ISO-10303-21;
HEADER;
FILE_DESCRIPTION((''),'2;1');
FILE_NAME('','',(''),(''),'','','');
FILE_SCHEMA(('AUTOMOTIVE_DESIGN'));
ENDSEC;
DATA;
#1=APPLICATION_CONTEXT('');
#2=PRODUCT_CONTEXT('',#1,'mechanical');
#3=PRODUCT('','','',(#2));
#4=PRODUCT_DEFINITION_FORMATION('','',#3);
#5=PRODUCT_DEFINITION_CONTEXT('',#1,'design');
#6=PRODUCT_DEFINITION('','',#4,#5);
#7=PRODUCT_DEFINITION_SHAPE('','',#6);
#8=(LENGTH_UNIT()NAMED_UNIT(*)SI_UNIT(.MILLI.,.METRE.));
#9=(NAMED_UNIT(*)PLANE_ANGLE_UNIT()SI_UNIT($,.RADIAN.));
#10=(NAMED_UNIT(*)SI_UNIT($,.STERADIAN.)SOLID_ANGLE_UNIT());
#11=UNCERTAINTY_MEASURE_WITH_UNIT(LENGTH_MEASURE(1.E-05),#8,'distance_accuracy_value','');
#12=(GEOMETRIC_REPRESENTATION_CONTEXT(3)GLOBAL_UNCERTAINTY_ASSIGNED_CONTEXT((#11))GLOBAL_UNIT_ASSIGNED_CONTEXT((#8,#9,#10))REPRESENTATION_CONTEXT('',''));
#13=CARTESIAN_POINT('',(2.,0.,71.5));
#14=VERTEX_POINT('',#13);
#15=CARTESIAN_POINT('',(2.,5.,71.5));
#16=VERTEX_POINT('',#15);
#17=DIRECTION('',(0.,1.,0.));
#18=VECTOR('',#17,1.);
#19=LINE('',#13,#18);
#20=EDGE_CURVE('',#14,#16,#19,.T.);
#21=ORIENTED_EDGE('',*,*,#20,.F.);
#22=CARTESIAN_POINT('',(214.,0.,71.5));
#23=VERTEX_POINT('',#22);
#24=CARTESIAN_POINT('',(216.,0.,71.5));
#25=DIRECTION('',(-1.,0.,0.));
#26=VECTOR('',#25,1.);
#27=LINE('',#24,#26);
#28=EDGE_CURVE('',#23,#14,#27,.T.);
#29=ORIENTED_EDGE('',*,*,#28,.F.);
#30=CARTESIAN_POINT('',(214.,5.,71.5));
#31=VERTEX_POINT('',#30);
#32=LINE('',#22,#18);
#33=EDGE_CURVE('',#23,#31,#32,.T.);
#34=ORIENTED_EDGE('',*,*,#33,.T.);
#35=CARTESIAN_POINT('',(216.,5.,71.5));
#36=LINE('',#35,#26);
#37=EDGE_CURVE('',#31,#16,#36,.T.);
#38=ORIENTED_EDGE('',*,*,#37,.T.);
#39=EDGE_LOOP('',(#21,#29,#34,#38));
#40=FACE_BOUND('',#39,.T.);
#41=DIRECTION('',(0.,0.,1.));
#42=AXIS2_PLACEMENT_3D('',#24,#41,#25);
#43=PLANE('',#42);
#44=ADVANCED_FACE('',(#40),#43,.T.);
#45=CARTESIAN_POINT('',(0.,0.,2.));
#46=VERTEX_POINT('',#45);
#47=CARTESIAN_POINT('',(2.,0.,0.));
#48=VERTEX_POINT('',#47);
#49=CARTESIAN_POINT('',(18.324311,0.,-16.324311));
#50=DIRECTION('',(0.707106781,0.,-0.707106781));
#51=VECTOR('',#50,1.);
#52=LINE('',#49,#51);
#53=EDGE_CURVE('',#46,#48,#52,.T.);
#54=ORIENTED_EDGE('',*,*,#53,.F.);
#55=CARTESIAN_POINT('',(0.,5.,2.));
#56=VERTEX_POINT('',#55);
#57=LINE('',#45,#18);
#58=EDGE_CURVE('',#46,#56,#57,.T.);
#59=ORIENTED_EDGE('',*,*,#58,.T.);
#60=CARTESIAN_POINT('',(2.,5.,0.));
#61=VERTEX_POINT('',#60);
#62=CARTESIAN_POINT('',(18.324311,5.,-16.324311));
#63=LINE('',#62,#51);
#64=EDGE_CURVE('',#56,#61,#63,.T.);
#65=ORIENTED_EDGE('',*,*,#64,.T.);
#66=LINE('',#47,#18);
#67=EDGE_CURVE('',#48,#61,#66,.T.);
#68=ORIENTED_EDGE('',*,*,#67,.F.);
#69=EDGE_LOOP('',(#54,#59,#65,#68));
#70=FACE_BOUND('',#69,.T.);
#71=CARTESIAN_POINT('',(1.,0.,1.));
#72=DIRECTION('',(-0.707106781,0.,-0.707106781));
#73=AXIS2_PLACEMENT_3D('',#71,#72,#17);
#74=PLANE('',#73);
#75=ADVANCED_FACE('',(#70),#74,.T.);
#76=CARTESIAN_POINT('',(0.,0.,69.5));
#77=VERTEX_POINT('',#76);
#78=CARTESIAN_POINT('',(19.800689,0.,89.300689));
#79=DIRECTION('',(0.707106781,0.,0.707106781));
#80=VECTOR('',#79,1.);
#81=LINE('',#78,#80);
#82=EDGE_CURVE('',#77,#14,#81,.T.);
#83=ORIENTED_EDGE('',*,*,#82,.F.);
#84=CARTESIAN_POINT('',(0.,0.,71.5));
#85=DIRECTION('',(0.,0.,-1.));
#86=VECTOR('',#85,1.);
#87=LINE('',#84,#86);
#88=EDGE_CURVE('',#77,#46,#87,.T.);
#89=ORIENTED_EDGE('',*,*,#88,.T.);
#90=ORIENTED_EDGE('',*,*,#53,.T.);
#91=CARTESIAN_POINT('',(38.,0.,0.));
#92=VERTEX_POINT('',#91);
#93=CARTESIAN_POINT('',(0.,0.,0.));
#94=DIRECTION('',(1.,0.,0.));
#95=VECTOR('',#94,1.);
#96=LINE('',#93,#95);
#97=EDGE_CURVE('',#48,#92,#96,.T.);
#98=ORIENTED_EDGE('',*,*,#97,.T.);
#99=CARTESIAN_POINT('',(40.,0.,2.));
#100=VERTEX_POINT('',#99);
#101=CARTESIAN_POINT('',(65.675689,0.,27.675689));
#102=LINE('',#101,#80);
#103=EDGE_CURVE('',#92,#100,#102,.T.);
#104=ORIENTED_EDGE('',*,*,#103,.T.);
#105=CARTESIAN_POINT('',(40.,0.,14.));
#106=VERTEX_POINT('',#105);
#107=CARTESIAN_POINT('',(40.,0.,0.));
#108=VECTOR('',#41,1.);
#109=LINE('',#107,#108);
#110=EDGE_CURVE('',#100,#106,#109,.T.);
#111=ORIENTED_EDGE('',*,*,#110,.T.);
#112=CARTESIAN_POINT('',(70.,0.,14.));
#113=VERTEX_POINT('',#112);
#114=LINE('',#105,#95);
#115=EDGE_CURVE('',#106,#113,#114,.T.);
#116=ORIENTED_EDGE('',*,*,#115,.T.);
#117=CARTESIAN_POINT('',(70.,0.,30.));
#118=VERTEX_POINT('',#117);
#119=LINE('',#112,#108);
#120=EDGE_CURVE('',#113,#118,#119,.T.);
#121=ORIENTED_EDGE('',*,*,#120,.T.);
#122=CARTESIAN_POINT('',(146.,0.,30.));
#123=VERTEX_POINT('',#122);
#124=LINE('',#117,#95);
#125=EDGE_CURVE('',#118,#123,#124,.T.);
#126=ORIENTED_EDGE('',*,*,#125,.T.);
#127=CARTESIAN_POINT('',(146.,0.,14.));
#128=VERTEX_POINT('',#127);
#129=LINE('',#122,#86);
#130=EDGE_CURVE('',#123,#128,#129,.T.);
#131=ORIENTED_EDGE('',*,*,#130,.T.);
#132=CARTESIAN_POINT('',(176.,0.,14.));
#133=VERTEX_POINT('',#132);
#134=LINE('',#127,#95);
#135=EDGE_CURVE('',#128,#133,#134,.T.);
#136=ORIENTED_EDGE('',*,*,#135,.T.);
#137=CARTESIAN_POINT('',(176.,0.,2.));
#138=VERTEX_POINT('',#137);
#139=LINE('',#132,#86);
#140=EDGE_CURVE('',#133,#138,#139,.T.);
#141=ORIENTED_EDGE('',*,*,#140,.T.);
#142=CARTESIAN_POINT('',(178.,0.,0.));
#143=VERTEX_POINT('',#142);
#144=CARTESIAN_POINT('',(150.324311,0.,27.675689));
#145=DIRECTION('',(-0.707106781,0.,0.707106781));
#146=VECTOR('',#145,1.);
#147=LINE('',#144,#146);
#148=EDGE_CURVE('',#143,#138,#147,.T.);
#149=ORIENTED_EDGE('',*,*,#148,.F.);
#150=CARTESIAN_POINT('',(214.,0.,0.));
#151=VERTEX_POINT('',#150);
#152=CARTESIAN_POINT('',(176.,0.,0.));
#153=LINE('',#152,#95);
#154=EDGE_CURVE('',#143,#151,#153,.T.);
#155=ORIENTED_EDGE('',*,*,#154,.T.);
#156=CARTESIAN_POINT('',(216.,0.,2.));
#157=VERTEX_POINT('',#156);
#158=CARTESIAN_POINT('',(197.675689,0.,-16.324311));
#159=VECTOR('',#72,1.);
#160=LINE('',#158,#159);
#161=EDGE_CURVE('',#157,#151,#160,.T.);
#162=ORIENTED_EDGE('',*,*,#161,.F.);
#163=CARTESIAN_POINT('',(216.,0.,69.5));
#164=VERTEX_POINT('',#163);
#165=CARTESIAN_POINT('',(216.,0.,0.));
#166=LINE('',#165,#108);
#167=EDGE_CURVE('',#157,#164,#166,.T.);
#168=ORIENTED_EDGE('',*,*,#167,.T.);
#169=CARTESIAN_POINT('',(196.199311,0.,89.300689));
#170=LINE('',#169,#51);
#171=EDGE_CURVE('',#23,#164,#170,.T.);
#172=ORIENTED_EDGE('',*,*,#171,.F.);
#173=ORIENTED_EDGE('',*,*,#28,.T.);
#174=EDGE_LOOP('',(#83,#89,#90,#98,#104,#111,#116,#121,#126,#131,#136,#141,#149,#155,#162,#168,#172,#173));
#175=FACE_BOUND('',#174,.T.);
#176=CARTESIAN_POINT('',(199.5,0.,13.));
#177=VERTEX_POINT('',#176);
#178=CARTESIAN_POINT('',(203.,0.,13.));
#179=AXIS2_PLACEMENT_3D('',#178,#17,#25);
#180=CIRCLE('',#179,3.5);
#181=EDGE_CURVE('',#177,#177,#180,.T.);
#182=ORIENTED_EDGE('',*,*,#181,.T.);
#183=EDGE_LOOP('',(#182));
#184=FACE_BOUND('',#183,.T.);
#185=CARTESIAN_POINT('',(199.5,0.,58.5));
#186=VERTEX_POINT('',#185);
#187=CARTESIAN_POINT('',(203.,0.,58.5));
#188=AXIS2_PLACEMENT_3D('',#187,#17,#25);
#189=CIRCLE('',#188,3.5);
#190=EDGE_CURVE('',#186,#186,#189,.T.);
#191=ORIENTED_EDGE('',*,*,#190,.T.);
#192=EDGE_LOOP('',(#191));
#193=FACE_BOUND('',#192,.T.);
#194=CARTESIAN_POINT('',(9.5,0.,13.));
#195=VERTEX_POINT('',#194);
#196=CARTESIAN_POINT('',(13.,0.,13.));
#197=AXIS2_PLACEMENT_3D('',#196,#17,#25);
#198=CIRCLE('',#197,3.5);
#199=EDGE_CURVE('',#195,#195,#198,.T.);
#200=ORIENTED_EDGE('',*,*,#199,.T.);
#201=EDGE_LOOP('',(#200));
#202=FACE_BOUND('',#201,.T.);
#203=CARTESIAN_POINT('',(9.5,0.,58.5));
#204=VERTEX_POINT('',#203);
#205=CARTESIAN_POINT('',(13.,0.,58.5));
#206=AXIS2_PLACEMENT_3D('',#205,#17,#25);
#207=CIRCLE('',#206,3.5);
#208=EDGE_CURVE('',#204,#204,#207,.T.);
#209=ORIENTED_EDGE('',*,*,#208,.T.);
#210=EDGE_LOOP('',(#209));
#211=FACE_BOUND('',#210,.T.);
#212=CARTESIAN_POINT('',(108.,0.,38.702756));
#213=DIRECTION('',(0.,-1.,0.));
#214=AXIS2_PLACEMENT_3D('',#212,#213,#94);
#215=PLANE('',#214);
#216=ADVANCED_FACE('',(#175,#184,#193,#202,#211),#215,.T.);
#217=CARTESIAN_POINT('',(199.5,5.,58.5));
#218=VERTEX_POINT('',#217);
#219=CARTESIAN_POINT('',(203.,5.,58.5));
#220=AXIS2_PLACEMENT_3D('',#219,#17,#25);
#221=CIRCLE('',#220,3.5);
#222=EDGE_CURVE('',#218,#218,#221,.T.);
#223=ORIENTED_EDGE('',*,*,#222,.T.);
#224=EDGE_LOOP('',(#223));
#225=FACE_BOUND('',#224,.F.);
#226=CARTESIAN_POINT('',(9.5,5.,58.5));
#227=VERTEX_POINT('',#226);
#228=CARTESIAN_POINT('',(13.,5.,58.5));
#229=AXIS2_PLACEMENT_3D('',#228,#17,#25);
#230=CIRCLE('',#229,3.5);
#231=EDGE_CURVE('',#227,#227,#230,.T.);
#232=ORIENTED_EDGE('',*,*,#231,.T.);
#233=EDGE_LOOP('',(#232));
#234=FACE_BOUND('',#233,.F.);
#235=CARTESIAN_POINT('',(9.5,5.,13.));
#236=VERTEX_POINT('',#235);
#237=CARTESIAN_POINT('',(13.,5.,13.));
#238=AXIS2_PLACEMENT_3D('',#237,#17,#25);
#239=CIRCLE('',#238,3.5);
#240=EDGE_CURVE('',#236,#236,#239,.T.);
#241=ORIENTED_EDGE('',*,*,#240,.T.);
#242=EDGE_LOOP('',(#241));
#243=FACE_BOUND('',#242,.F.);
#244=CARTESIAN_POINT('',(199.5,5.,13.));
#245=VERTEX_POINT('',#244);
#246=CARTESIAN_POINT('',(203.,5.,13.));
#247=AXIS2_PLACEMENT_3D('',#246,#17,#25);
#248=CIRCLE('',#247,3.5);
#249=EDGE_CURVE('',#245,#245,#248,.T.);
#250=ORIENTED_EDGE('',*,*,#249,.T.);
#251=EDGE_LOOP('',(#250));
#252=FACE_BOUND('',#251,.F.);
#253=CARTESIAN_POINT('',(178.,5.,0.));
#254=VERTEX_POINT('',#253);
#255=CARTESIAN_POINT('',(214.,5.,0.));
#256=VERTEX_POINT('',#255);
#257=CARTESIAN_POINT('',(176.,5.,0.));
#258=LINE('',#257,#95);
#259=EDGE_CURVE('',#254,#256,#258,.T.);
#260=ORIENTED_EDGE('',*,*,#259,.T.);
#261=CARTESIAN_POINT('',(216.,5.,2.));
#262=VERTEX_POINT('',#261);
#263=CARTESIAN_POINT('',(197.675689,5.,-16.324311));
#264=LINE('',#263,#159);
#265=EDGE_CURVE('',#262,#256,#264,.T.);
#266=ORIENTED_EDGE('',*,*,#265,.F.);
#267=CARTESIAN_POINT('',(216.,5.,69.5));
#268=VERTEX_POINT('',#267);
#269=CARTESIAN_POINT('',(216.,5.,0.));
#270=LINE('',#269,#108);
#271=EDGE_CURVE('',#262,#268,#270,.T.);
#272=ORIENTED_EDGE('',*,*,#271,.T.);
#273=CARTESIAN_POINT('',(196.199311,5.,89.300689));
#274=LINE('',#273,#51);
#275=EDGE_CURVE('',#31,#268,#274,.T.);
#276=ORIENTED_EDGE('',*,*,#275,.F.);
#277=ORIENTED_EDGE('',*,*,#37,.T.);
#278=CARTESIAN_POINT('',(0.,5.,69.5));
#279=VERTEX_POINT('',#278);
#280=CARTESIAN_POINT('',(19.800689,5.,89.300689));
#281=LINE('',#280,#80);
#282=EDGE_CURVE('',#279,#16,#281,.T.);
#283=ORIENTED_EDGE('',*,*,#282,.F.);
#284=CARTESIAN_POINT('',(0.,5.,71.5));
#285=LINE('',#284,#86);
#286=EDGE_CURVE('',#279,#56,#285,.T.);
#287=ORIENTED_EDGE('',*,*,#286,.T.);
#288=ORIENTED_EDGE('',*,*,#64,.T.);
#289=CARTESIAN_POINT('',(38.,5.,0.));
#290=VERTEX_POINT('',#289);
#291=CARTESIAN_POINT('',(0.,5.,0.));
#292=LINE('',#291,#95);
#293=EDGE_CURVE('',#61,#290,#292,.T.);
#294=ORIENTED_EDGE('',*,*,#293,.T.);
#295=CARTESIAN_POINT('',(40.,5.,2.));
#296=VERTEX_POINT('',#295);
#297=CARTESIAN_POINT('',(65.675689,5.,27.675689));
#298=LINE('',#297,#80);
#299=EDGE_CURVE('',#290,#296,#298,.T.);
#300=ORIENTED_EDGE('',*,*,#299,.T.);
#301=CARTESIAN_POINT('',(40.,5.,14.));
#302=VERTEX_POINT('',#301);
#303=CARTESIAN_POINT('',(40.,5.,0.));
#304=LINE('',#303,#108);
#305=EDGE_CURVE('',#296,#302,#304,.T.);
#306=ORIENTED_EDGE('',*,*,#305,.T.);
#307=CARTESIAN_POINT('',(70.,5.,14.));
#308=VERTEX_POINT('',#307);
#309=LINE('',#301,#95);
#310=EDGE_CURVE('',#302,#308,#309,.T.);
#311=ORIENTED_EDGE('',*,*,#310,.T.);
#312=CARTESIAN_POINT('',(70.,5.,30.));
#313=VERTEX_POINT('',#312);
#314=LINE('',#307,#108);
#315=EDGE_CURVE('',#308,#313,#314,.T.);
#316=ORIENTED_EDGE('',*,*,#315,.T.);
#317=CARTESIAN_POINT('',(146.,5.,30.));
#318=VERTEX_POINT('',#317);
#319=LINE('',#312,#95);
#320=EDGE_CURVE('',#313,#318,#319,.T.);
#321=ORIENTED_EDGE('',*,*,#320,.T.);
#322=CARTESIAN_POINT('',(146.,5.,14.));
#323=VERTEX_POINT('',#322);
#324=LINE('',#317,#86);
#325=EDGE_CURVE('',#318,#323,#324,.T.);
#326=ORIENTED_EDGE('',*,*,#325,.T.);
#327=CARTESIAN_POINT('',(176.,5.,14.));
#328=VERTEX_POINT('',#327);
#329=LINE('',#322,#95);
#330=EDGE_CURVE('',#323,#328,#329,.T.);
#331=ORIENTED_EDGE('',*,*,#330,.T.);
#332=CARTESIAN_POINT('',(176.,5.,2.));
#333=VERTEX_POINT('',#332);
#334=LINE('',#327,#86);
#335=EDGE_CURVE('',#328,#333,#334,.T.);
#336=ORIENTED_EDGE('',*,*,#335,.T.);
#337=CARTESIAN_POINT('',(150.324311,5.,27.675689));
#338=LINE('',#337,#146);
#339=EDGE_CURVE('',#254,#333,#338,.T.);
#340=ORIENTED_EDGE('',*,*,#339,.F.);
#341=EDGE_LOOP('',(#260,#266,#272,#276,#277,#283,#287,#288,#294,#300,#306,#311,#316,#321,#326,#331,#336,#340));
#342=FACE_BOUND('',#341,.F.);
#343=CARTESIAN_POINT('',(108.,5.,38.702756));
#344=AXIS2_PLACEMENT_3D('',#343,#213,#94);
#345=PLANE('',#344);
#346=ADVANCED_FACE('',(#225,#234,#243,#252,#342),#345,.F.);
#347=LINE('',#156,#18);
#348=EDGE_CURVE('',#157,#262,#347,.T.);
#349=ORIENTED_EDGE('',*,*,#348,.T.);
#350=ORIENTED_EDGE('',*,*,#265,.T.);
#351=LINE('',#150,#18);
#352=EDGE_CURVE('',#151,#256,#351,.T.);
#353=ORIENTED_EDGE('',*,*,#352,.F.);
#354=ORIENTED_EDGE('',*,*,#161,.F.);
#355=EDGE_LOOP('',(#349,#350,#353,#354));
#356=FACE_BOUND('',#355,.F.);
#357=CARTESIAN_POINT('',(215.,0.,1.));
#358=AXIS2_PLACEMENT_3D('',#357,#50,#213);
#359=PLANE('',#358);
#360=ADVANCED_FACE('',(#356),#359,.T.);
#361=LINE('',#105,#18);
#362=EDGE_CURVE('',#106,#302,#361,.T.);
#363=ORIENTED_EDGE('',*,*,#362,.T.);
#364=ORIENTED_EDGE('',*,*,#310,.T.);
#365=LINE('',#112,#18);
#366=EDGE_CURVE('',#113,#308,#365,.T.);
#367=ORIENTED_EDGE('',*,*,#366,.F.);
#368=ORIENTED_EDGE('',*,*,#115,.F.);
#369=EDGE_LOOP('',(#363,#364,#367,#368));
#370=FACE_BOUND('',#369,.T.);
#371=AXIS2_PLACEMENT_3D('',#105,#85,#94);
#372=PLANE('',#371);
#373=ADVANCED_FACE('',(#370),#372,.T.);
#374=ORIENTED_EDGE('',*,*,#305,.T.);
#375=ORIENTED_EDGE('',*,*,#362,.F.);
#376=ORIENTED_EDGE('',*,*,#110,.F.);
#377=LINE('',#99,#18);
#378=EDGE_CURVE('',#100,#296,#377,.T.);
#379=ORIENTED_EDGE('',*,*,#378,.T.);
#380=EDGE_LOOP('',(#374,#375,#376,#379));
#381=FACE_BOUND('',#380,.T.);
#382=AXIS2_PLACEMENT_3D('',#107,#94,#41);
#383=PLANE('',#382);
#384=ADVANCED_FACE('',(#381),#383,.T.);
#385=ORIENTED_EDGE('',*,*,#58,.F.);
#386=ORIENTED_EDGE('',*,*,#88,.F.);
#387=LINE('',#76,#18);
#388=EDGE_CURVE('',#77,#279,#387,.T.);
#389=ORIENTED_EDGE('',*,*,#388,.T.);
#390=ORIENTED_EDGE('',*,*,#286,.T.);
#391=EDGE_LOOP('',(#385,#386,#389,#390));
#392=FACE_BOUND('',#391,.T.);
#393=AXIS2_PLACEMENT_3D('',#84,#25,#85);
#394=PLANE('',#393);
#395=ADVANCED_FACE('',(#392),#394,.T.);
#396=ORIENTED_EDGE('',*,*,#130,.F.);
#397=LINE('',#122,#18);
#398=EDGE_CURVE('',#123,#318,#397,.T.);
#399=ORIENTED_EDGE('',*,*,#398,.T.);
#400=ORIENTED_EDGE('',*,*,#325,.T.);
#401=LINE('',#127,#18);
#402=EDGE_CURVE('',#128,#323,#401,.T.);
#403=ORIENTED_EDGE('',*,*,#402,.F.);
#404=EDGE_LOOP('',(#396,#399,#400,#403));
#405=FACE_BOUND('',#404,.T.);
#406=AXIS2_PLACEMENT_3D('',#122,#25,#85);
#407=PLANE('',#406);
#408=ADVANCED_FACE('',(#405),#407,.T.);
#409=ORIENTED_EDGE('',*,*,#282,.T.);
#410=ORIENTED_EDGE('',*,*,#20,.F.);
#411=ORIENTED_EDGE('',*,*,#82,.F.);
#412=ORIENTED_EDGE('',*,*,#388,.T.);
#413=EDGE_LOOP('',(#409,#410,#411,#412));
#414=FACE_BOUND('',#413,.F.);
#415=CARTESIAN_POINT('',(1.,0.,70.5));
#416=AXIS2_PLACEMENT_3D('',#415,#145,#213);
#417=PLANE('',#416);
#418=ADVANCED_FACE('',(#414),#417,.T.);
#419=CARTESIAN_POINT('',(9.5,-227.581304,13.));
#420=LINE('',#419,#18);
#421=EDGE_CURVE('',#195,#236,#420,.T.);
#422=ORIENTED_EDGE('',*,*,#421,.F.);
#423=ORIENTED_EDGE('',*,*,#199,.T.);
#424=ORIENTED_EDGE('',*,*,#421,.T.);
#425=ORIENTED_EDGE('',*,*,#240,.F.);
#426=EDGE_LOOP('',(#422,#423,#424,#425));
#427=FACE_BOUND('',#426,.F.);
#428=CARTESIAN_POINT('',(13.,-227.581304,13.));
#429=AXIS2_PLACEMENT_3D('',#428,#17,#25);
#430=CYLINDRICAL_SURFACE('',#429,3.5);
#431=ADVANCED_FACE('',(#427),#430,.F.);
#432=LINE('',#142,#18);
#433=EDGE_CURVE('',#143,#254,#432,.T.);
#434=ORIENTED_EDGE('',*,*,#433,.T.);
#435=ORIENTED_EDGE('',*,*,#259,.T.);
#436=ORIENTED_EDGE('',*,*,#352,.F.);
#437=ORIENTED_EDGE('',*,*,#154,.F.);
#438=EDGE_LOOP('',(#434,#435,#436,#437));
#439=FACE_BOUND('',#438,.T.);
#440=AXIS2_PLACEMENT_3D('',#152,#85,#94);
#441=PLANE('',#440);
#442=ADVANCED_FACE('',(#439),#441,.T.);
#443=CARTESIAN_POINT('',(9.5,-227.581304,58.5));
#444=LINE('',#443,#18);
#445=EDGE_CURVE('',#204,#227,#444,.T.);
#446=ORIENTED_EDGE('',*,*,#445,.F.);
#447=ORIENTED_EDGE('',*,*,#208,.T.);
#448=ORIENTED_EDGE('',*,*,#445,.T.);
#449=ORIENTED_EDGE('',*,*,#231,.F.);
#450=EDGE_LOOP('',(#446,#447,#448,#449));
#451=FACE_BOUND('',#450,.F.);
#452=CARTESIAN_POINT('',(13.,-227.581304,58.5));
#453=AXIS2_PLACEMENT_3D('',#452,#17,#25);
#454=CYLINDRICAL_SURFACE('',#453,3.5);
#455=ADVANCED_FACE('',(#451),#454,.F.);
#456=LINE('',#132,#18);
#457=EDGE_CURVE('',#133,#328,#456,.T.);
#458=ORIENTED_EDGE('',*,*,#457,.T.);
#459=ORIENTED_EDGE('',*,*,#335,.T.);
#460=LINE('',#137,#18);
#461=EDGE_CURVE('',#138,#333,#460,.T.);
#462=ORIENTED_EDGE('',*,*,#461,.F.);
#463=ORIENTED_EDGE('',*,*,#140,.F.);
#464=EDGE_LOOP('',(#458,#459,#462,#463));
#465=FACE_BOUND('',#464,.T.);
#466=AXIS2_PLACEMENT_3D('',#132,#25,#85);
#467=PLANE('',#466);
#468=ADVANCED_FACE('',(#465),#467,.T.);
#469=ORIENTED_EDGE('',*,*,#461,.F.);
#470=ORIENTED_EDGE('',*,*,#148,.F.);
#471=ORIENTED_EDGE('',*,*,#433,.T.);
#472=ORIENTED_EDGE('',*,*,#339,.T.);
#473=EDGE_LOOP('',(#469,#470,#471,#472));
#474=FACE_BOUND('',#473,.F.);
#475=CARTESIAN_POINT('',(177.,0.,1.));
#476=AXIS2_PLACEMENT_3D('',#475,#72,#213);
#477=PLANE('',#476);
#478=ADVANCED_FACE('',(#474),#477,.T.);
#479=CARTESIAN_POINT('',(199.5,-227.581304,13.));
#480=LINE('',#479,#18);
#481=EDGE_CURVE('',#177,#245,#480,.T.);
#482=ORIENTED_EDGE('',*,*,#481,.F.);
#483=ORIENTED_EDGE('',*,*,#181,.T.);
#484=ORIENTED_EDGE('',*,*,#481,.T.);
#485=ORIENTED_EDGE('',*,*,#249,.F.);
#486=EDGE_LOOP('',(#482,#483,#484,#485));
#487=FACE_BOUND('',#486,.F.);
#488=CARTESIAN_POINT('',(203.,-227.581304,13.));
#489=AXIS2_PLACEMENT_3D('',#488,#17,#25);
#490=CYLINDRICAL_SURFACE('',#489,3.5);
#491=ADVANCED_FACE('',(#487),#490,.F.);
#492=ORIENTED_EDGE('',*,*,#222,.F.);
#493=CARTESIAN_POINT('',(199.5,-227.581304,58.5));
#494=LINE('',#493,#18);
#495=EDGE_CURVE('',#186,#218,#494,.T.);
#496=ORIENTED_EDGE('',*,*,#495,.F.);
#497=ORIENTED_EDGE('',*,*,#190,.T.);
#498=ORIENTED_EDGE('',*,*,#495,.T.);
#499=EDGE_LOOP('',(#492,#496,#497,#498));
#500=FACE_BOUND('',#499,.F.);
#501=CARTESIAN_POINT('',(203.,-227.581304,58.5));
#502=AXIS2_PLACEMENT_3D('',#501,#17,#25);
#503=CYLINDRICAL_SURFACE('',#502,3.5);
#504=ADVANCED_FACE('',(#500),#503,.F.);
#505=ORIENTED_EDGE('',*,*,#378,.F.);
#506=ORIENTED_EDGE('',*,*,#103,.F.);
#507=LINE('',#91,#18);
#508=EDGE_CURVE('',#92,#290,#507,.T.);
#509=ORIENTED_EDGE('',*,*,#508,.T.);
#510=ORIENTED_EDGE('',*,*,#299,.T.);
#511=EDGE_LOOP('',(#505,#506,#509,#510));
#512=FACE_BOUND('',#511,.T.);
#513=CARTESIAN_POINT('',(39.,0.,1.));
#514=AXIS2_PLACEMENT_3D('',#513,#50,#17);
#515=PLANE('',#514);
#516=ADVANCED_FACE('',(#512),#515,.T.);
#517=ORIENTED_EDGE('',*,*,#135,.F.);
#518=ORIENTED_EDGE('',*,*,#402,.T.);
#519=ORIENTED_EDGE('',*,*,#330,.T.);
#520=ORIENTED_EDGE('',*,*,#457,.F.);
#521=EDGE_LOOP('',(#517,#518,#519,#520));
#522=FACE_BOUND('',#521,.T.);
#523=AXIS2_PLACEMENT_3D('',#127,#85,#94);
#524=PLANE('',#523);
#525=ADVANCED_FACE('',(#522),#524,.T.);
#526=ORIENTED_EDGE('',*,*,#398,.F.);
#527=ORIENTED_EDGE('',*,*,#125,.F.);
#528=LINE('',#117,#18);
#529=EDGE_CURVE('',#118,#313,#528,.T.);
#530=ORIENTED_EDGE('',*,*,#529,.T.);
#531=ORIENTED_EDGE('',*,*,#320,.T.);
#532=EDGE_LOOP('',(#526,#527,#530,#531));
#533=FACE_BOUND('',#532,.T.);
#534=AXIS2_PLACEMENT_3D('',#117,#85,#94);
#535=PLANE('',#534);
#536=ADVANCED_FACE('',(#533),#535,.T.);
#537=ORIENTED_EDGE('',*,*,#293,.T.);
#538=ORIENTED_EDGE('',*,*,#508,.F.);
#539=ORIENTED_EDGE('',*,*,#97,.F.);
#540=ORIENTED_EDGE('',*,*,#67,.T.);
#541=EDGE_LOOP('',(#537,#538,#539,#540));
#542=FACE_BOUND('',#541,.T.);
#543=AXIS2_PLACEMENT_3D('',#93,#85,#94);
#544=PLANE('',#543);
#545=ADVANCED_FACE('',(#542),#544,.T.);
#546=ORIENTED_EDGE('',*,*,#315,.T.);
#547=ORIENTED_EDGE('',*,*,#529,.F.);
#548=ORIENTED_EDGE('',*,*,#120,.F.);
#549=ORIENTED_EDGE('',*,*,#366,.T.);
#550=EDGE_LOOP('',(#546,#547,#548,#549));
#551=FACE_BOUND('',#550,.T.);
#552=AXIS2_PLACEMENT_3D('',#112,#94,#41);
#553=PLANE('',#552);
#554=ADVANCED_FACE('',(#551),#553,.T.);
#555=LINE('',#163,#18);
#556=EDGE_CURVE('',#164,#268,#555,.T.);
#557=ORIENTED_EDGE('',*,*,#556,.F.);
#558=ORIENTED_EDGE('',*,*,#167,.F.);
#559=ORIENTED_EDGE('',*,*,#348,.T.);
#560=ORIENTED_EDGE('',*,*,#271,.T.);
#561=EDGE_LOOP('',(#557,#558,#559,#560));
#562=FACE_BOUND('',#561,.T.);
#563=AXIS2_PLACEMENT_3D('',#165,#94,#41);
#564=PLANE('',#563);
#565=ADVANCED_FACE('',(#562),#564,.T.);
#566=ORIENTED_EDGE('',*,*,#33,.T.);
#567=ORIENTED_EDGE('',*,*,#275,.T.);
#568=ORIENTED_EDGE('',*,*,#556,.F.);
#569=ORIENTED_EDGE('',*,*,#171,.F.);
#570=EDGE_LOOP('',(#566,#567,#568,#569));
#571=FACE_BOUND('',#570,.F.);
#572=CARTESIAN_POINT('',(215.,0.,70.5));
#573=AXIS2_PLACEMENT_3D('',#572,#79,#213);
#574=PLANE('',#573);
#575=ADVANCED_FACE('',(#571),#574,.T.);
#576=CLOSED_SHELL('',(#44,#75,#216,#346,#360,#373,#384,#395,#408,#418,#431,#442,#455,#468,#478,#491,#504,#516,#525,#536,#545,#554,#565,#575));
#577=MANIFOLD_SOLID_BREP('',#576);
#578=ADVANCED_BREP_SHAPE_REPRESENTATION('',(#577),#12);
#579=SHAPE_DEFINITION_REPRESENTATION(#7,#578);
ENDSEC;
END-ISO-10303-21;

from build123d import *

# Parameters (mm, degrees)
F1_DEPTH = 5
F2_D     = 7
F3_SIZE  = 2


with BuildPart() as f1:
    # F0 (on Front) → F1 (new body)
    with BuildSketch(Plane.XZ):
        Polygon((0, 71.5), (0, 0), (40, 0), (40, 14), (70, 14), (70, 30), (146, 30), (146, 14), (176, 14), (176, 0), (216, 0), (216, 71.5), align=None)
    extrude(amount=-F1_DEPTH)

    # F2 (through all)
    with Locations(Plane.XZ):
        with Locations((203, 58.5), (203, 13), (13, 13), (13, 58.5)):
            Hole(F2_D / 2)

    # F3
    f3_edges = [f1.edges().sort_by_distance(p)[0] for p in [
        (216, 2.5, 71.5),
        (216, 2.5, 0),
        (176, 2.5, 0),
        (40, 2.5, 0),
        (0, 2.5, 0),
        (0, 2.5, 71.5),
    ]]
    chamfer(f3_edges, length=F3_SIZE)


solid = f1.part
